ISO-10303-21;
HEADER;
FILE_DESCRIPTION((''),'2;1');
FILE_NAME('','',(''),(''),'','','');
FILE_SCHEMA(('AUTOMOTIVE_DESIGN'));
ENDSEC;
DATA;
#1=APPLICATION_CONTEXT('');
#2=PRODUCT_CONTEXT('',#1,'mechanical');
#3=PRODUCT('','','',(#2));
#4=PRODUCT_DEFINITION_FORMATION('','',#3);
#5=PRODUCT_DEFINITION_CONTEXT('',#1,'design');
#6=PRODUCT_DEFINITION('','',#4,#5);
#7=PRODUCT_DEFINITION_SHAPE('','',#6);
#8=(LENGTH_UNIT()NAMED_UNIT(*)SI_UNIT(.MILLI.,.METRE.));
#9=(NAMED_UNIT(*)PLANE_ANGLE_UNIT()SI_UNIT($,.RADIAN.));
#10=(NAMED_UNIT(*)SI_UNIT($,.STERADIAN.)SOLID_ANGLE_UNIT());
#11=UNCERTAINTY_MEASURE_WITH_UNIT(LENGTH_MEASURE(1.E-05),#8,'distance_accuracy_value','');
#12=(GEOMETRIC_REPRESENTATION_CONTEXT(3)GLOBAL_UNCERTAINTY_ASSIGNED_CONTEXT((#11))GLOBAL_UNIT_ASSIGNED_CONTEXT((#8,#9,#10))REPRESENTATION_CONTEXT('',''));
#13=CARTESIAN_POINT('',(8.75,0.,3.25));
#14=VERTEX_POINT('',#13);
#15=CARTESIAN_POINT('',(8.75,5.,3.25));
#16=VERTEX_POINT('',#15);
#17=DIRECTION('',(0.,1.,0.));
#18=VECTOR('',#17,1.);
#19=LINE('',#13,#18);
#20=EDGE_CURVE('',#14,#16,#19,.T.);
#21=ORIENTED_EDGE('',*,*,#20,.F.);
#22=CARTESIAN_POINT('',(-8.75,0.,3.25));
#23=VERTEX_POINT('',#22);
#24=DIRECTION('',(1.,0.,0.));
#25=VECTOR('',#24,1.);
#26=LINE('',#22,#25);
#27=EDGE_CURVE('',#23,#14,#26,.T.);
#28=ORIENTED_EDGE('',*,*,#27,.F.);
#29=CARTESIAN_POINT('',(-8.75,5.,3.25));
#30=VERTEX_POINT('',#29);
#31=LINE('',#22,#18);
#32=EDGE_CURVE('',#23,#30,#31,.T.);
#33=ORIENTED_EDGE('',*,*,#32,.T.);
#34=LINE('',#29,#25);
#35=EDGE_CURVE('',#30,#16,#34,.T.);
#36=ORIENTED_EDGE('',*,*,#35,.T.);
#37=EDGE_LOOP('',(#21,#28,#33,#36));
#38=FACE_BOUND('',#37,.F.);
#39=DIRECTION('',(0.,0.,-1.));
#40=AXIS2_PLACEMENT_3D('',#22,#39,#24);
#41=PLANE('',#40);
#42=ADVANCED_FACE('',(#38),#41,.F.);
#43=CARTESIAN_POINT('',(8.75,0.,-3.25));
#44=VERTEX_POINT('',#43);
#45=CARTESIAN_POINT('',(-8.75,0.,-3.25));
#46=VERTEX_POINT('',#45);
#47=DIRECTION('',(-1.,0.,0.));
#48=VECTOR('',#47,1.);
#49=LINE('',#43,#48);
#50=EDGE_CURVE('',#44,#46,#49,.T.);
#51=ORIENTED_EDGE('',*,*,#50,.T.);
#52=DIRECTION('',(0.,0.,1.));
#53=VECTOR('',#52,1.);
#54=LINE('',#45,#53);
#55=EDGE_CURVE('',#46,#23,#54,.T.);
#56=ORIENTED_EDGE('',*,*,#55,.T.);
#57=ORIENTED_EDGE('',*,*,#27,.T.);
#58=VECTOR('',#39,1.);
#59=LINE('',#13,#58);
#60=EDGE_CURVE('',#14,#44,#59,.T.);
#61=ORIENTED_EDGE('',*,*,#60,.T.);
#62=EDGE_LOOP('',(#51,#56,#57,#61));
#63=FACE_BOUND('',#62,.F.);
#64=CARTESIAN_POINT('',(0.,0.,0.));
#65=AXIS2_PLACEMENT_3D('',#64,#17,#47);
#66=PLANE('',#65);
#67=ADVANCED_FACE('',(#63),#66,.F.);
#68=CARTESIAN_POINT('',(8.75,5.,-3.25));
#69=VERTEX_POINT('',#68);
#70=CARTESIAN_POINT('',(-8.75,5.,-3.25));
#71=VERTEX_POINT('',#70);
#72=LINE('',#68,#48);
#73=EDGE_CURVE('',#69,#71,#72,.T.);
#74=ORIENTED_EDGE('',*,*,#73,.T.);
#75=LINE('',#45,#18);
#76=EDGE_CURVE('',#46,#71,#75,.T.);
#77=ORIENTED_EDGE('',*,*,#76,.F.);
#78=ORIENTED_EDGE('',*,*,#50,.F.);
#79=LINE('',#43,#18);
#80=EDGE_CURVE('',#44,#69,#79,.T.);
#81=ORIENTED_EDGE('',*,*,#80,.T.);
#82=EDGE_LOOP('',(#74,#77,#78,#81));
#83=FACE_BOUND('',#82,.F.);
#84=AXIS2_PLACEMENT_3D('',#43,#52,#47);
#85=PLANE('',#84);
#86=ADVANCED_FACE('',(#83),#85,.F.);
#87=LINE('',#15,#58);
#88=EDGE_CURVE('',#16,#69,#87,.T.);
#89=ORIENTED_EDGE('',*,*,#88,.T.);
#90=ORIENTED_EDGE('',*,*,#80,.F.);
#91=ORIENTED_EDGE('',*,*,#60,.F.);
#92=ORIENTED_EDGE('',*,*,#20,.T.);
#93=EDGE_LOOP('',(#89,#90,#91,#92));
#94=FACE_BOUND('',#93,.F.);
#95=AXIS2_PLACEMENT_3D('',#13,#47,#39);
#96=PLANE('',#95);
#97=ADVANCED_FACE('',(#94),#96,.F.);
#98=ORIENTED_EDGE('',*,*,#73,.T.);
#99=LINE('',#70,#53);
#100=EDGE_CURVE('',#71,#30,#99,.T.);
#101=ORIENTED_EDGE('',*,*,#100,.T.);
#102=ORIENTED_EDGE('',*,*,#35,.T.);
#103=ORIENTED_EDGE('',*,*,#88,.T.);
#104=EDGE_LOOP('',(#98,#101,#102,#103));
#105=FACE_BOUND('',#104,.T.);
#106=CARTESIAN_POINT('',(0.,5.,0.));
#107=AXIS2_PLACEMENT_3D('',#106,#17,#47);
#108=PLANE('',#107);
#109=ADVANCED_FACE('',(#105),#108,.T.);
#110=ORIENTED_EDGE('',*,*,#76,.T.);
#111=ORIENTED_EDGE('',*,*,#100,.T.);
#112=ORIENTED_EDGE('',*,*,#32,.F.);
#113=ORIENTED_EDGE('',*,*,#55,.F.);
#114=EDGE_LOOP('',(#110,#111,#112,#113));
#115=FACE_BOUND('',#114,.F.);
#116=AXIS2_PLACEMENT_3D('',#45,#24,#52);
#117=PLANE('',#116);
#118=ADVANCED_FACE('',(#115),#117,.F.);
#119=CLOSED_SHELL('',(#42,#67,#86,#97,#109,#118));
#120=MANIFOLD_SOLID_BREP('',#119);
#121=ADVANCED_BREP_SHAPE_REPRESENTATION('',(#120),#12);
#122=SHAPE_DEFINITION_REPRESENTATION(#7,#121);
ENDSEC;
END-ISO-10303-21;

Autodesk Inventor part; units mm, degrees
ref_plane "YZ Plane" through (0, 0, 0) normal (1, 0, 0) x (0, 1, 0)
ref_plane "XZ Plane" through (0, 0, 0) normal (0, 1, 0) x (-1, 0, 0)
ref_plane "XY Plane" through (0, 0, 0) normal (0, 0, 1) x (1, 0, 0)
sketch "Skizze1" plane through (0, 0, 0) normal (0, 1, 0) x (-1, 0, 0)
  line L0 (-8.75, -3.25) -> (8.75, -3.25)
  line L1 (8.75, -3.25) -> (8.75, 3.25)
  line L2 (8.75, 3.25) -> (-8.75, 3.25)
  line L3 (-8.75, 3.25) -> (-8.75, -3.25)
  line L4 (-8.75, -3.25) -> (8.75, 3.25) construction
  line L5 (8.75, -3.25) -> (-8.75, 3.25) construction
  point P0 (0, 0)
  dimension "d0" = 6.5
  dimension "d1" = 17.5
extrude "Extrusion1" add sketch "Skizze1" along normal blind 5
properties part number "Leitstange sicherungsblock 001"
